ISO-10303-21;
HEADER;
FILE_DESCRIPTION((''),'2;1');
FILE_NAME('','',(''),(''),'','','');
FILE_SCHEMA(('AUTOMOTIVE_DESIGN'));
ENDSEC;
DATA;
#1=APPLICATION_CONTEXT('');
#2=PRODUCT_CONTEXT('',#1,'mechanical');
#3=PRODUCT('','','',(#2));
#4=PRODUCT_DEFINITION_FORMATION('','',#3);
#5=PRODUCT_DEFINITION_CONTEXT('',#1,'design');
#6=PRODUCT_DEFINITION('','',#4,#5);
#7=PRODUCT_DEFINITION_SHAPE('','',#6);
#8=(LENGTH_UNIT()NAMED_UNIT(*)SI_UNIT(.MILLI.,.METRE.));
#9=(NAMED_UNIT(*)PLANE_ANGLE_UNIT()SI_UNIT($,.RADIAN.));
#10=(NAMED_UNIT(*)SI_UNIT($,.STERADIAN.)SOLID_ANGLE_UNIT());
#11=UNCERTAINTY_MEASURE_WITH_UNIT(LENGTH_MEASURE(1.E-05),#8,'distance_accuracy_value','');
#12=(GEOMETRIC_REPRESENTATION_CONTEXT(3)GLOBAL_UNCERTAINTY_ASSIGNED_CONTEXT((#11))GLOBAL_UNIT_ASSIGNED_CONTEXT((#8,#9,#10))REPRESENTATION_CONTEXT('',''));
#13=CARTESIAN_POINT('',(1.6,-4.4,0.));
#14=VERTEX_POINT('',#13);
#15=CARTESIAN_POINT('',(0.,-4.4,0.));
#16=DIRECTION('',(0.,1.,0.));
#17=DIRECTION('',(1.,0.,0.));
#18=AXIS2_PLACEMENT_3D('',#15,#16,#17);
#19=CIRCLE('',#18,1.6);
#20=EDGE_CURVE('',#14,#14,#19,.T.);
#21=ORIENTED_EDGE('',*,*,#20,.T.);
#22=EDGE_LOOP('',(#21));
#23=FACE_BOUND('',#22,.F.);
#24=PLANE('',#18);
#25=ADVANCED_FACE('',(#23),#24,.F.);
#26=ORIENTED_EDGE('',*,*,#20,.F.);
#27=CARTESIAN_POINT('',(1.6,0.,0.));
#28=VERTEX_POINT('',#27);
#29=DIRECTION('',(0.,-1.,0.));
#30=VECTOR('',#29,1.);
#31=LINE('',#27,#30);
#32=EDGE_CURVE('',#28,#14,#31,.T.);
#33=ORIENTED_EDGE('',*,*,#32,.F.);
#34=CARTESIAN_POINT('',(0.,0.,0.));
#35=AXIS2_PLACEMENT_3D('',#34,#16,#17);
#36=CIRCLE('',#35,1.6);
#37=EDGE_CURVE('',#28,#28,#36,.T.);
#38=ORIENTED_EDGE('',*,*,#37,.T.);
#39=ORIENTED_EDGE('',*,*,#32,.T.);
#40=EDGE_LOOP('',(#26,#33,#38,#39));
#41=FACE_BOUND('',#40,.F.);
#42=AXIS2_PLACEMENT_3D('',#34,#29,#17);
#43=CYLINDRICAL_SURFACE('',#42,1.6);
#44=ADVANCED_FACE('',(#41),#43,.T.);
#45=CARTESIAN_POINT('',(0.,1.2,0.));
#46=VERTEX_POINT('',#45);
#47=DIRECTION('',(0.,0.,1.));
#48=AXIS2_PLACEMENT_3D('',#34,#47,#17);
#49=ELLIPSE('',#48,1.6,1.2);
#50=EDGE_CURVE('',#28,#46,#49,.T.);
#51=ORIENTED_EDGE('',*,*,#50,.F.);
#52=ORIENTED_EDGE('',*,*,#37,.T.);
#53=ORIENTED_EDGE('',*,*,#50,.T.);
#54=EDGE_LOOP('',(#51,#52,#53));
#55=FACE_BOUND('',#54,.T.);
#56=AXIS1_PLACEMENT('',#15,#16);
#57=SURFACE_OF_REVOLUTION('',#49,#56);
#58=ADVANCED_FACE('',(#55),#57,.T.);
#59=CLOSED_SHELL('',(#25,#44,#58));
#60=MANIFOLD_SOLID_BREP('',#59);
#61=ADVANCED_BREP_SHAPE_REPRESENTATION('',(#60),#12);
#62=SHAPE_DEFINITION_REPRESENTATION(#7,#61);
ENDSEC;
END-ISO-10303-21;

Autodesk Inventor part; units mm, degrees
ref_plane "YZ Plane" through (0, 0, 0) normal (1, 0, 0) x (0, 1, 0)
ref_plane "XZ Plane" through (0, 0, 0) normal (0, 1, 0) x (-1, 0, 0)
ref_plane "XY Plane" through (0, 0, 0) normal (0, 0, 1) x (1, 0, 0)
sketch "Sketch2" plane through (0, 0, 0) normal (0, 0, 1) x (1, 0, 0)
  line L0 (0, -4.4) -> (0, 1.2)
  line L1 (1.6, 0) -> (1.6, -4.4)
  line L2 (1.6, -4.4) -> (0, -4.4)
  ellipse E0 centre (0, 0) end of major axis (1.6, 0) minor radius 1.2 (1.6, 0) -> (0, 1.2) ccw
  dimension "d2" = 1.2
  dimension "d0" = 3.2
  dimension "d1" = 4.4
revolve "Revolution1" add sketch "Sketch2" angle 360 about axis through (0, -4.4, 0) along (0, 1, 0)
properties part number "99396-TransClear" material "Polycarbonate"
